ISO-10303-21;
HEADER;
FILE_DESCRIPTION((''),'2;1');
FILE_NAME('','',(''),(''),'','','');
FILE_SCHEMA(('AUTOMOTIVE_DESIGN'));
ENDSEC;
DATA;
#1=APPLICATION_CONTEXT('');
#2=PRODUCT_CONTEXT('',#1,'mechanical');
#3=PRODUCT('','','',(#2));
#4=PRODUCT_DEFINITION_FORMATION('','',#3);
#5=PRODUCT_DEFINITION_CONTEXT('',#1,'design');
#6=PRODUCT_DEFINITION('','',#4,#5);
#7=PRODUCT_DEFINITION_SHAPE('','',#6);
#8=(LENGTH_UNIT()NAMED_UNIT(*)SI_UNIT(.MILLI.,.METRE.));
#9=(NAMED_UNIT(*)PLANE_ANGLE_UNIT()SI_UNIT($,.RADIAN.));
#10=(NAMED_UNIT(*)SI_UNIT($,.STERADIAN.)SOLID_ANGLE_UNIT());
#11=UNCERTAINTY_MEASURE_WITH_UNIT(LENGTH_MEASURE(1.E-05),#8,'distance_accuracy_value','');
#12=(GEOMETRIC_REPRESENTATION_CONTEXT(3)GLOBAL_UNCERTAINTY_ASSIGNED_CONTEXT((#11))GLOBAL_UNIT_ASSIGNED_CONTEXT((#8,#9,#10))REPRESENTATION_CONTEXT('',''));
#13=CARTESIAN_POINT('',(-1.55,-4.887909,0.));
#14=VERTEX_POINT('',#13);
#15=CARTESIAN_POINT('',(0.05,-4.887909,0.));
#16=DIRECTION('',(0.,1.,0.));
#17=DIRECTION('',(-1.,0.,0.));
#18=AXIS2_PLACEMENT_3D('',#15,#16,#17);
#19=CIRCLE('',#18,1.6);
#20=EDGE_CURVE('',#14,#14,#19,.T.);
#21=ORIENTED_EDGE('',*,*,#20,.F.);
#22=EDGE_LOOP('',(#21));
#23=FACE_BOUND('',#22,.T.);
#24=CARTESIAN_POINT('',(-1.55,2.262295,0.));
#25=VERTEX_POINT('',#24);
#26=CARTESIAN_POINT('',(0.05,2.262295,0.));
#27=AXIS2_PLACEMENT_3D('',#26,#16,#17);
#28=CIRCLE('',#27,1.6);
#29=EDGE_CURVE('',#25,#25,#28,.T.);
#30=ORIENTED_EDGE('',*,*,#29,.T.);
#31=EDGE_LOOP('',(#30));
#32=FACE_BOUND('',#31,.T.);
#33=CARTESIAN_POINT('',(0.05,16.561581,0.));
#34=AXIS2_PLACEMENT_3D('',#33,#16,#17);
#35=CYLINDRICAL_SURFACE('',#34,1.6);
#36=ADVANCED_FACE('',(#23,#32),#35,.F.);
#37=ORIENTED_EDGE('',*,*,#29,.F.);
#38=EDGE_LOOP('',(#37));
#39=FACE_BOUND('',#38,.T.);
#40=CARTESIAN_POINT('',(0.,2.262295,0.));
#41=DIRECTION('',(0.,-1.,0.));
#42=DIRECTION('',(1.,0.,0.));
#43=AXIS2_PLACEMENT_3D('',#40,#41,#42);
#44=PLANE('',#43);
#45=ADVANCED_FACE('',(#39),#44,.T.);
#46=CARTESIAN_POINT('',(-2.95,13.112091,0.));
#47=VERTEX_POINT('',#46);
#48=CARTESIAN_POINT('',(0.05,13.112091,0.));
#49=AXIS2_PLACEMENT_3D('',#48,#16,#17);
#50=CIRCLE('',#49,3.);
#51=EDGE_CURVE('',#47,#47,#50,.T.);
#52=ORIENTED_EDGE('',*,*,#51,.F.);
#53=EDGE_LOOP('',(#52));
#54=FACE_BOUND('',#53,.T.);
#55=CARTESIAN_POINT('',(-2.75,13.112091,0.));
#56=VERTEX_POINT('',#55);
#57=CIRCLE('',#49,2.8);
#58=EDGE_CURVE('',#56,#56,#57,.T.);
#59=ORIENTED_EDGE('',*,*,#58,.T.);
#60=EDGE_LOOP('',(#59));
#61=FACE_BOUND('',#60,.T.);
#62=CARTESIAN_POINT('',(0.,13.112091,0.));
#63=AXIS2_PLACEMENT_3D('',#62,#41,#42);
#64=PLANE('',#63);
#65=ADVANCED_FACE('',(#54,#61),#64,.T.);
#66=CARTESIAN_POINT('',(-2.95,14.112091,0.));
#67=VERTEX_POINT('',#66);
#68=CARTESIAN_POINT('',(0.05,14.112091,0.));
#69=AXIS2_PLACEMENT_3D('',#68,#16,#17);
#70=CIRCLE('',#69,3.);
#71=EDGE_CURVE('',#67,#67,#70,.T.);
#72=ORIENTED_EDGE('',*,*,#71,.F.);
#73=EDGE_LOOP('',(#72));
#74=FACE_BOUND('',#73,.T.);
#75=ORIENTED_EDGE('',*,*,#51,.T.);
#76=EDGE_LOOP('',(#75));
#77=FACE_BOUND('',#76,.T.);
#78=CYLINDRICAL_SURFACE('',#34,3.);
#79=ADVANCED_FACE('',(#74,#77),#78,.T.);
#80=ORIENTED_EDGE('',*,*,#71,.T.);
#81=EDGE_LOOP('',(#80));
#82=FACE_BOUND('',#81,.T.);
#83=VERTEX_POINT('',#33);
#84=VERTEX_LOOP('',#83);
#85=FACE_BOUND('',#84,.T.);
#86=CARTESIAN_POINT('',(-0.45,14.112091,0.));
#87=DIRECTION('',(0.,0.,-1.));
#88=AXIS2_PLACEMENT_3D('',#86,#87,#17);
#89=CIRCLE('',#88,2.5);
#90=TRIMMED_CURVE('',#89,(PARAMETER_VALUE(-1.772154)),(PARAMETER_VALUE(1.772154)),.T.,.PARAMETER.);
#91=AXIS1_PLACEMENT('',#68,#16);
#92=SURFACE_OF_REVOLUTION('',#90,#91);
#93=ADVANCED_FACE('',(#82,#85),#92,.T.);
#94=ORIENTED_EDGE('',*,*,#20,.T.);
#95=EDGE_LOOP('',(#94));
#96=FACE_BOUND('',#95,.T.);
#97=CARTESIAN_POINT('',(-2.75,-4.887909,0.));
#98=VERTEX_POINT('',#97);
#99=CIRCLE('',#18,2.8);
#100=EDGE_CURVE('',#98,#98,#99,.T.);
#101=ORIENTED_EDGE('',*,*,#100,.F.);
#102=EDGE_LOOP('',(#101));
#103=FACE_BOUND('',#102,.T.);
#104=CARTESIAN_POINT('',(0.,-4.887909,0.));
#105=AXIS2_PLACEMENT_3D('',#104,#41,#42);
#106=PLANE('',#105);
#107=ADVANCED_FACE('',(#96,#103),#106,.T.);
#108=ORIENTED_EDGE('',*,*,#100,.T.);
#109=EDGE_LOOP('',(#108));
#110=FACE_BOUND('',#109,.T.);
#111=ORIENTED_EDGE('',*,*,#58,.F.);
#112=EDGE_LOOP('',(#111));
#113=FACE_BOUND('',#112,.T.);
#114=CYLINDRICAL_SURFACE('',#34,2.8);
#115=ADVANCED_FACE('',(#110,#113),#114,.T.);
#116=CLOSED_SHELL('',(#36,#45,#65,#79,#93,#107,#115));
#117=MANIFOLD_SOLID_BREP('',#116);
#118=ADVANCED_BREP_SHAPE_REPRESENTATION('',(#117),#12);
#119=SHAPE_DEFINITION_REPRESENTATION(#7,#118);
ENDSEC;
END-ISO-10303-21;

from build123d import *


with BuildPart() as part:
    # Sketch1 → Revolve1 (revolve)
    with BuildSketch(Plane.XY):
        with BuildLine():
            Line((-2.95, 13.11209092), (-2.75, 13.11209092))
            Line((-2.75, 13.11209092), (-2.75, -4.88790908))
            Line((-2.75, -4.88790908), (-1.55, -4.88790908))
            Line((-1.55, -4.88790908), (-1.55, 2.262295082))
            Line((-1.55, 2.262295082), (0.05, 2.262295082))
            Line((0.05, 2.262295082), (0.05, 16.561580663))
            ThreePointArc((0.05, 16.561580663), (-2.03113883, 16.048582593), (-2.95, 14.11209092))
            Line((-2.95, 14.11209092), (-2.95, 13.11209092))
        make_face()
    revolve(axis=Axis((0.05, 16.561580663, 0), (0, -1, 0)))


solid = part.part
